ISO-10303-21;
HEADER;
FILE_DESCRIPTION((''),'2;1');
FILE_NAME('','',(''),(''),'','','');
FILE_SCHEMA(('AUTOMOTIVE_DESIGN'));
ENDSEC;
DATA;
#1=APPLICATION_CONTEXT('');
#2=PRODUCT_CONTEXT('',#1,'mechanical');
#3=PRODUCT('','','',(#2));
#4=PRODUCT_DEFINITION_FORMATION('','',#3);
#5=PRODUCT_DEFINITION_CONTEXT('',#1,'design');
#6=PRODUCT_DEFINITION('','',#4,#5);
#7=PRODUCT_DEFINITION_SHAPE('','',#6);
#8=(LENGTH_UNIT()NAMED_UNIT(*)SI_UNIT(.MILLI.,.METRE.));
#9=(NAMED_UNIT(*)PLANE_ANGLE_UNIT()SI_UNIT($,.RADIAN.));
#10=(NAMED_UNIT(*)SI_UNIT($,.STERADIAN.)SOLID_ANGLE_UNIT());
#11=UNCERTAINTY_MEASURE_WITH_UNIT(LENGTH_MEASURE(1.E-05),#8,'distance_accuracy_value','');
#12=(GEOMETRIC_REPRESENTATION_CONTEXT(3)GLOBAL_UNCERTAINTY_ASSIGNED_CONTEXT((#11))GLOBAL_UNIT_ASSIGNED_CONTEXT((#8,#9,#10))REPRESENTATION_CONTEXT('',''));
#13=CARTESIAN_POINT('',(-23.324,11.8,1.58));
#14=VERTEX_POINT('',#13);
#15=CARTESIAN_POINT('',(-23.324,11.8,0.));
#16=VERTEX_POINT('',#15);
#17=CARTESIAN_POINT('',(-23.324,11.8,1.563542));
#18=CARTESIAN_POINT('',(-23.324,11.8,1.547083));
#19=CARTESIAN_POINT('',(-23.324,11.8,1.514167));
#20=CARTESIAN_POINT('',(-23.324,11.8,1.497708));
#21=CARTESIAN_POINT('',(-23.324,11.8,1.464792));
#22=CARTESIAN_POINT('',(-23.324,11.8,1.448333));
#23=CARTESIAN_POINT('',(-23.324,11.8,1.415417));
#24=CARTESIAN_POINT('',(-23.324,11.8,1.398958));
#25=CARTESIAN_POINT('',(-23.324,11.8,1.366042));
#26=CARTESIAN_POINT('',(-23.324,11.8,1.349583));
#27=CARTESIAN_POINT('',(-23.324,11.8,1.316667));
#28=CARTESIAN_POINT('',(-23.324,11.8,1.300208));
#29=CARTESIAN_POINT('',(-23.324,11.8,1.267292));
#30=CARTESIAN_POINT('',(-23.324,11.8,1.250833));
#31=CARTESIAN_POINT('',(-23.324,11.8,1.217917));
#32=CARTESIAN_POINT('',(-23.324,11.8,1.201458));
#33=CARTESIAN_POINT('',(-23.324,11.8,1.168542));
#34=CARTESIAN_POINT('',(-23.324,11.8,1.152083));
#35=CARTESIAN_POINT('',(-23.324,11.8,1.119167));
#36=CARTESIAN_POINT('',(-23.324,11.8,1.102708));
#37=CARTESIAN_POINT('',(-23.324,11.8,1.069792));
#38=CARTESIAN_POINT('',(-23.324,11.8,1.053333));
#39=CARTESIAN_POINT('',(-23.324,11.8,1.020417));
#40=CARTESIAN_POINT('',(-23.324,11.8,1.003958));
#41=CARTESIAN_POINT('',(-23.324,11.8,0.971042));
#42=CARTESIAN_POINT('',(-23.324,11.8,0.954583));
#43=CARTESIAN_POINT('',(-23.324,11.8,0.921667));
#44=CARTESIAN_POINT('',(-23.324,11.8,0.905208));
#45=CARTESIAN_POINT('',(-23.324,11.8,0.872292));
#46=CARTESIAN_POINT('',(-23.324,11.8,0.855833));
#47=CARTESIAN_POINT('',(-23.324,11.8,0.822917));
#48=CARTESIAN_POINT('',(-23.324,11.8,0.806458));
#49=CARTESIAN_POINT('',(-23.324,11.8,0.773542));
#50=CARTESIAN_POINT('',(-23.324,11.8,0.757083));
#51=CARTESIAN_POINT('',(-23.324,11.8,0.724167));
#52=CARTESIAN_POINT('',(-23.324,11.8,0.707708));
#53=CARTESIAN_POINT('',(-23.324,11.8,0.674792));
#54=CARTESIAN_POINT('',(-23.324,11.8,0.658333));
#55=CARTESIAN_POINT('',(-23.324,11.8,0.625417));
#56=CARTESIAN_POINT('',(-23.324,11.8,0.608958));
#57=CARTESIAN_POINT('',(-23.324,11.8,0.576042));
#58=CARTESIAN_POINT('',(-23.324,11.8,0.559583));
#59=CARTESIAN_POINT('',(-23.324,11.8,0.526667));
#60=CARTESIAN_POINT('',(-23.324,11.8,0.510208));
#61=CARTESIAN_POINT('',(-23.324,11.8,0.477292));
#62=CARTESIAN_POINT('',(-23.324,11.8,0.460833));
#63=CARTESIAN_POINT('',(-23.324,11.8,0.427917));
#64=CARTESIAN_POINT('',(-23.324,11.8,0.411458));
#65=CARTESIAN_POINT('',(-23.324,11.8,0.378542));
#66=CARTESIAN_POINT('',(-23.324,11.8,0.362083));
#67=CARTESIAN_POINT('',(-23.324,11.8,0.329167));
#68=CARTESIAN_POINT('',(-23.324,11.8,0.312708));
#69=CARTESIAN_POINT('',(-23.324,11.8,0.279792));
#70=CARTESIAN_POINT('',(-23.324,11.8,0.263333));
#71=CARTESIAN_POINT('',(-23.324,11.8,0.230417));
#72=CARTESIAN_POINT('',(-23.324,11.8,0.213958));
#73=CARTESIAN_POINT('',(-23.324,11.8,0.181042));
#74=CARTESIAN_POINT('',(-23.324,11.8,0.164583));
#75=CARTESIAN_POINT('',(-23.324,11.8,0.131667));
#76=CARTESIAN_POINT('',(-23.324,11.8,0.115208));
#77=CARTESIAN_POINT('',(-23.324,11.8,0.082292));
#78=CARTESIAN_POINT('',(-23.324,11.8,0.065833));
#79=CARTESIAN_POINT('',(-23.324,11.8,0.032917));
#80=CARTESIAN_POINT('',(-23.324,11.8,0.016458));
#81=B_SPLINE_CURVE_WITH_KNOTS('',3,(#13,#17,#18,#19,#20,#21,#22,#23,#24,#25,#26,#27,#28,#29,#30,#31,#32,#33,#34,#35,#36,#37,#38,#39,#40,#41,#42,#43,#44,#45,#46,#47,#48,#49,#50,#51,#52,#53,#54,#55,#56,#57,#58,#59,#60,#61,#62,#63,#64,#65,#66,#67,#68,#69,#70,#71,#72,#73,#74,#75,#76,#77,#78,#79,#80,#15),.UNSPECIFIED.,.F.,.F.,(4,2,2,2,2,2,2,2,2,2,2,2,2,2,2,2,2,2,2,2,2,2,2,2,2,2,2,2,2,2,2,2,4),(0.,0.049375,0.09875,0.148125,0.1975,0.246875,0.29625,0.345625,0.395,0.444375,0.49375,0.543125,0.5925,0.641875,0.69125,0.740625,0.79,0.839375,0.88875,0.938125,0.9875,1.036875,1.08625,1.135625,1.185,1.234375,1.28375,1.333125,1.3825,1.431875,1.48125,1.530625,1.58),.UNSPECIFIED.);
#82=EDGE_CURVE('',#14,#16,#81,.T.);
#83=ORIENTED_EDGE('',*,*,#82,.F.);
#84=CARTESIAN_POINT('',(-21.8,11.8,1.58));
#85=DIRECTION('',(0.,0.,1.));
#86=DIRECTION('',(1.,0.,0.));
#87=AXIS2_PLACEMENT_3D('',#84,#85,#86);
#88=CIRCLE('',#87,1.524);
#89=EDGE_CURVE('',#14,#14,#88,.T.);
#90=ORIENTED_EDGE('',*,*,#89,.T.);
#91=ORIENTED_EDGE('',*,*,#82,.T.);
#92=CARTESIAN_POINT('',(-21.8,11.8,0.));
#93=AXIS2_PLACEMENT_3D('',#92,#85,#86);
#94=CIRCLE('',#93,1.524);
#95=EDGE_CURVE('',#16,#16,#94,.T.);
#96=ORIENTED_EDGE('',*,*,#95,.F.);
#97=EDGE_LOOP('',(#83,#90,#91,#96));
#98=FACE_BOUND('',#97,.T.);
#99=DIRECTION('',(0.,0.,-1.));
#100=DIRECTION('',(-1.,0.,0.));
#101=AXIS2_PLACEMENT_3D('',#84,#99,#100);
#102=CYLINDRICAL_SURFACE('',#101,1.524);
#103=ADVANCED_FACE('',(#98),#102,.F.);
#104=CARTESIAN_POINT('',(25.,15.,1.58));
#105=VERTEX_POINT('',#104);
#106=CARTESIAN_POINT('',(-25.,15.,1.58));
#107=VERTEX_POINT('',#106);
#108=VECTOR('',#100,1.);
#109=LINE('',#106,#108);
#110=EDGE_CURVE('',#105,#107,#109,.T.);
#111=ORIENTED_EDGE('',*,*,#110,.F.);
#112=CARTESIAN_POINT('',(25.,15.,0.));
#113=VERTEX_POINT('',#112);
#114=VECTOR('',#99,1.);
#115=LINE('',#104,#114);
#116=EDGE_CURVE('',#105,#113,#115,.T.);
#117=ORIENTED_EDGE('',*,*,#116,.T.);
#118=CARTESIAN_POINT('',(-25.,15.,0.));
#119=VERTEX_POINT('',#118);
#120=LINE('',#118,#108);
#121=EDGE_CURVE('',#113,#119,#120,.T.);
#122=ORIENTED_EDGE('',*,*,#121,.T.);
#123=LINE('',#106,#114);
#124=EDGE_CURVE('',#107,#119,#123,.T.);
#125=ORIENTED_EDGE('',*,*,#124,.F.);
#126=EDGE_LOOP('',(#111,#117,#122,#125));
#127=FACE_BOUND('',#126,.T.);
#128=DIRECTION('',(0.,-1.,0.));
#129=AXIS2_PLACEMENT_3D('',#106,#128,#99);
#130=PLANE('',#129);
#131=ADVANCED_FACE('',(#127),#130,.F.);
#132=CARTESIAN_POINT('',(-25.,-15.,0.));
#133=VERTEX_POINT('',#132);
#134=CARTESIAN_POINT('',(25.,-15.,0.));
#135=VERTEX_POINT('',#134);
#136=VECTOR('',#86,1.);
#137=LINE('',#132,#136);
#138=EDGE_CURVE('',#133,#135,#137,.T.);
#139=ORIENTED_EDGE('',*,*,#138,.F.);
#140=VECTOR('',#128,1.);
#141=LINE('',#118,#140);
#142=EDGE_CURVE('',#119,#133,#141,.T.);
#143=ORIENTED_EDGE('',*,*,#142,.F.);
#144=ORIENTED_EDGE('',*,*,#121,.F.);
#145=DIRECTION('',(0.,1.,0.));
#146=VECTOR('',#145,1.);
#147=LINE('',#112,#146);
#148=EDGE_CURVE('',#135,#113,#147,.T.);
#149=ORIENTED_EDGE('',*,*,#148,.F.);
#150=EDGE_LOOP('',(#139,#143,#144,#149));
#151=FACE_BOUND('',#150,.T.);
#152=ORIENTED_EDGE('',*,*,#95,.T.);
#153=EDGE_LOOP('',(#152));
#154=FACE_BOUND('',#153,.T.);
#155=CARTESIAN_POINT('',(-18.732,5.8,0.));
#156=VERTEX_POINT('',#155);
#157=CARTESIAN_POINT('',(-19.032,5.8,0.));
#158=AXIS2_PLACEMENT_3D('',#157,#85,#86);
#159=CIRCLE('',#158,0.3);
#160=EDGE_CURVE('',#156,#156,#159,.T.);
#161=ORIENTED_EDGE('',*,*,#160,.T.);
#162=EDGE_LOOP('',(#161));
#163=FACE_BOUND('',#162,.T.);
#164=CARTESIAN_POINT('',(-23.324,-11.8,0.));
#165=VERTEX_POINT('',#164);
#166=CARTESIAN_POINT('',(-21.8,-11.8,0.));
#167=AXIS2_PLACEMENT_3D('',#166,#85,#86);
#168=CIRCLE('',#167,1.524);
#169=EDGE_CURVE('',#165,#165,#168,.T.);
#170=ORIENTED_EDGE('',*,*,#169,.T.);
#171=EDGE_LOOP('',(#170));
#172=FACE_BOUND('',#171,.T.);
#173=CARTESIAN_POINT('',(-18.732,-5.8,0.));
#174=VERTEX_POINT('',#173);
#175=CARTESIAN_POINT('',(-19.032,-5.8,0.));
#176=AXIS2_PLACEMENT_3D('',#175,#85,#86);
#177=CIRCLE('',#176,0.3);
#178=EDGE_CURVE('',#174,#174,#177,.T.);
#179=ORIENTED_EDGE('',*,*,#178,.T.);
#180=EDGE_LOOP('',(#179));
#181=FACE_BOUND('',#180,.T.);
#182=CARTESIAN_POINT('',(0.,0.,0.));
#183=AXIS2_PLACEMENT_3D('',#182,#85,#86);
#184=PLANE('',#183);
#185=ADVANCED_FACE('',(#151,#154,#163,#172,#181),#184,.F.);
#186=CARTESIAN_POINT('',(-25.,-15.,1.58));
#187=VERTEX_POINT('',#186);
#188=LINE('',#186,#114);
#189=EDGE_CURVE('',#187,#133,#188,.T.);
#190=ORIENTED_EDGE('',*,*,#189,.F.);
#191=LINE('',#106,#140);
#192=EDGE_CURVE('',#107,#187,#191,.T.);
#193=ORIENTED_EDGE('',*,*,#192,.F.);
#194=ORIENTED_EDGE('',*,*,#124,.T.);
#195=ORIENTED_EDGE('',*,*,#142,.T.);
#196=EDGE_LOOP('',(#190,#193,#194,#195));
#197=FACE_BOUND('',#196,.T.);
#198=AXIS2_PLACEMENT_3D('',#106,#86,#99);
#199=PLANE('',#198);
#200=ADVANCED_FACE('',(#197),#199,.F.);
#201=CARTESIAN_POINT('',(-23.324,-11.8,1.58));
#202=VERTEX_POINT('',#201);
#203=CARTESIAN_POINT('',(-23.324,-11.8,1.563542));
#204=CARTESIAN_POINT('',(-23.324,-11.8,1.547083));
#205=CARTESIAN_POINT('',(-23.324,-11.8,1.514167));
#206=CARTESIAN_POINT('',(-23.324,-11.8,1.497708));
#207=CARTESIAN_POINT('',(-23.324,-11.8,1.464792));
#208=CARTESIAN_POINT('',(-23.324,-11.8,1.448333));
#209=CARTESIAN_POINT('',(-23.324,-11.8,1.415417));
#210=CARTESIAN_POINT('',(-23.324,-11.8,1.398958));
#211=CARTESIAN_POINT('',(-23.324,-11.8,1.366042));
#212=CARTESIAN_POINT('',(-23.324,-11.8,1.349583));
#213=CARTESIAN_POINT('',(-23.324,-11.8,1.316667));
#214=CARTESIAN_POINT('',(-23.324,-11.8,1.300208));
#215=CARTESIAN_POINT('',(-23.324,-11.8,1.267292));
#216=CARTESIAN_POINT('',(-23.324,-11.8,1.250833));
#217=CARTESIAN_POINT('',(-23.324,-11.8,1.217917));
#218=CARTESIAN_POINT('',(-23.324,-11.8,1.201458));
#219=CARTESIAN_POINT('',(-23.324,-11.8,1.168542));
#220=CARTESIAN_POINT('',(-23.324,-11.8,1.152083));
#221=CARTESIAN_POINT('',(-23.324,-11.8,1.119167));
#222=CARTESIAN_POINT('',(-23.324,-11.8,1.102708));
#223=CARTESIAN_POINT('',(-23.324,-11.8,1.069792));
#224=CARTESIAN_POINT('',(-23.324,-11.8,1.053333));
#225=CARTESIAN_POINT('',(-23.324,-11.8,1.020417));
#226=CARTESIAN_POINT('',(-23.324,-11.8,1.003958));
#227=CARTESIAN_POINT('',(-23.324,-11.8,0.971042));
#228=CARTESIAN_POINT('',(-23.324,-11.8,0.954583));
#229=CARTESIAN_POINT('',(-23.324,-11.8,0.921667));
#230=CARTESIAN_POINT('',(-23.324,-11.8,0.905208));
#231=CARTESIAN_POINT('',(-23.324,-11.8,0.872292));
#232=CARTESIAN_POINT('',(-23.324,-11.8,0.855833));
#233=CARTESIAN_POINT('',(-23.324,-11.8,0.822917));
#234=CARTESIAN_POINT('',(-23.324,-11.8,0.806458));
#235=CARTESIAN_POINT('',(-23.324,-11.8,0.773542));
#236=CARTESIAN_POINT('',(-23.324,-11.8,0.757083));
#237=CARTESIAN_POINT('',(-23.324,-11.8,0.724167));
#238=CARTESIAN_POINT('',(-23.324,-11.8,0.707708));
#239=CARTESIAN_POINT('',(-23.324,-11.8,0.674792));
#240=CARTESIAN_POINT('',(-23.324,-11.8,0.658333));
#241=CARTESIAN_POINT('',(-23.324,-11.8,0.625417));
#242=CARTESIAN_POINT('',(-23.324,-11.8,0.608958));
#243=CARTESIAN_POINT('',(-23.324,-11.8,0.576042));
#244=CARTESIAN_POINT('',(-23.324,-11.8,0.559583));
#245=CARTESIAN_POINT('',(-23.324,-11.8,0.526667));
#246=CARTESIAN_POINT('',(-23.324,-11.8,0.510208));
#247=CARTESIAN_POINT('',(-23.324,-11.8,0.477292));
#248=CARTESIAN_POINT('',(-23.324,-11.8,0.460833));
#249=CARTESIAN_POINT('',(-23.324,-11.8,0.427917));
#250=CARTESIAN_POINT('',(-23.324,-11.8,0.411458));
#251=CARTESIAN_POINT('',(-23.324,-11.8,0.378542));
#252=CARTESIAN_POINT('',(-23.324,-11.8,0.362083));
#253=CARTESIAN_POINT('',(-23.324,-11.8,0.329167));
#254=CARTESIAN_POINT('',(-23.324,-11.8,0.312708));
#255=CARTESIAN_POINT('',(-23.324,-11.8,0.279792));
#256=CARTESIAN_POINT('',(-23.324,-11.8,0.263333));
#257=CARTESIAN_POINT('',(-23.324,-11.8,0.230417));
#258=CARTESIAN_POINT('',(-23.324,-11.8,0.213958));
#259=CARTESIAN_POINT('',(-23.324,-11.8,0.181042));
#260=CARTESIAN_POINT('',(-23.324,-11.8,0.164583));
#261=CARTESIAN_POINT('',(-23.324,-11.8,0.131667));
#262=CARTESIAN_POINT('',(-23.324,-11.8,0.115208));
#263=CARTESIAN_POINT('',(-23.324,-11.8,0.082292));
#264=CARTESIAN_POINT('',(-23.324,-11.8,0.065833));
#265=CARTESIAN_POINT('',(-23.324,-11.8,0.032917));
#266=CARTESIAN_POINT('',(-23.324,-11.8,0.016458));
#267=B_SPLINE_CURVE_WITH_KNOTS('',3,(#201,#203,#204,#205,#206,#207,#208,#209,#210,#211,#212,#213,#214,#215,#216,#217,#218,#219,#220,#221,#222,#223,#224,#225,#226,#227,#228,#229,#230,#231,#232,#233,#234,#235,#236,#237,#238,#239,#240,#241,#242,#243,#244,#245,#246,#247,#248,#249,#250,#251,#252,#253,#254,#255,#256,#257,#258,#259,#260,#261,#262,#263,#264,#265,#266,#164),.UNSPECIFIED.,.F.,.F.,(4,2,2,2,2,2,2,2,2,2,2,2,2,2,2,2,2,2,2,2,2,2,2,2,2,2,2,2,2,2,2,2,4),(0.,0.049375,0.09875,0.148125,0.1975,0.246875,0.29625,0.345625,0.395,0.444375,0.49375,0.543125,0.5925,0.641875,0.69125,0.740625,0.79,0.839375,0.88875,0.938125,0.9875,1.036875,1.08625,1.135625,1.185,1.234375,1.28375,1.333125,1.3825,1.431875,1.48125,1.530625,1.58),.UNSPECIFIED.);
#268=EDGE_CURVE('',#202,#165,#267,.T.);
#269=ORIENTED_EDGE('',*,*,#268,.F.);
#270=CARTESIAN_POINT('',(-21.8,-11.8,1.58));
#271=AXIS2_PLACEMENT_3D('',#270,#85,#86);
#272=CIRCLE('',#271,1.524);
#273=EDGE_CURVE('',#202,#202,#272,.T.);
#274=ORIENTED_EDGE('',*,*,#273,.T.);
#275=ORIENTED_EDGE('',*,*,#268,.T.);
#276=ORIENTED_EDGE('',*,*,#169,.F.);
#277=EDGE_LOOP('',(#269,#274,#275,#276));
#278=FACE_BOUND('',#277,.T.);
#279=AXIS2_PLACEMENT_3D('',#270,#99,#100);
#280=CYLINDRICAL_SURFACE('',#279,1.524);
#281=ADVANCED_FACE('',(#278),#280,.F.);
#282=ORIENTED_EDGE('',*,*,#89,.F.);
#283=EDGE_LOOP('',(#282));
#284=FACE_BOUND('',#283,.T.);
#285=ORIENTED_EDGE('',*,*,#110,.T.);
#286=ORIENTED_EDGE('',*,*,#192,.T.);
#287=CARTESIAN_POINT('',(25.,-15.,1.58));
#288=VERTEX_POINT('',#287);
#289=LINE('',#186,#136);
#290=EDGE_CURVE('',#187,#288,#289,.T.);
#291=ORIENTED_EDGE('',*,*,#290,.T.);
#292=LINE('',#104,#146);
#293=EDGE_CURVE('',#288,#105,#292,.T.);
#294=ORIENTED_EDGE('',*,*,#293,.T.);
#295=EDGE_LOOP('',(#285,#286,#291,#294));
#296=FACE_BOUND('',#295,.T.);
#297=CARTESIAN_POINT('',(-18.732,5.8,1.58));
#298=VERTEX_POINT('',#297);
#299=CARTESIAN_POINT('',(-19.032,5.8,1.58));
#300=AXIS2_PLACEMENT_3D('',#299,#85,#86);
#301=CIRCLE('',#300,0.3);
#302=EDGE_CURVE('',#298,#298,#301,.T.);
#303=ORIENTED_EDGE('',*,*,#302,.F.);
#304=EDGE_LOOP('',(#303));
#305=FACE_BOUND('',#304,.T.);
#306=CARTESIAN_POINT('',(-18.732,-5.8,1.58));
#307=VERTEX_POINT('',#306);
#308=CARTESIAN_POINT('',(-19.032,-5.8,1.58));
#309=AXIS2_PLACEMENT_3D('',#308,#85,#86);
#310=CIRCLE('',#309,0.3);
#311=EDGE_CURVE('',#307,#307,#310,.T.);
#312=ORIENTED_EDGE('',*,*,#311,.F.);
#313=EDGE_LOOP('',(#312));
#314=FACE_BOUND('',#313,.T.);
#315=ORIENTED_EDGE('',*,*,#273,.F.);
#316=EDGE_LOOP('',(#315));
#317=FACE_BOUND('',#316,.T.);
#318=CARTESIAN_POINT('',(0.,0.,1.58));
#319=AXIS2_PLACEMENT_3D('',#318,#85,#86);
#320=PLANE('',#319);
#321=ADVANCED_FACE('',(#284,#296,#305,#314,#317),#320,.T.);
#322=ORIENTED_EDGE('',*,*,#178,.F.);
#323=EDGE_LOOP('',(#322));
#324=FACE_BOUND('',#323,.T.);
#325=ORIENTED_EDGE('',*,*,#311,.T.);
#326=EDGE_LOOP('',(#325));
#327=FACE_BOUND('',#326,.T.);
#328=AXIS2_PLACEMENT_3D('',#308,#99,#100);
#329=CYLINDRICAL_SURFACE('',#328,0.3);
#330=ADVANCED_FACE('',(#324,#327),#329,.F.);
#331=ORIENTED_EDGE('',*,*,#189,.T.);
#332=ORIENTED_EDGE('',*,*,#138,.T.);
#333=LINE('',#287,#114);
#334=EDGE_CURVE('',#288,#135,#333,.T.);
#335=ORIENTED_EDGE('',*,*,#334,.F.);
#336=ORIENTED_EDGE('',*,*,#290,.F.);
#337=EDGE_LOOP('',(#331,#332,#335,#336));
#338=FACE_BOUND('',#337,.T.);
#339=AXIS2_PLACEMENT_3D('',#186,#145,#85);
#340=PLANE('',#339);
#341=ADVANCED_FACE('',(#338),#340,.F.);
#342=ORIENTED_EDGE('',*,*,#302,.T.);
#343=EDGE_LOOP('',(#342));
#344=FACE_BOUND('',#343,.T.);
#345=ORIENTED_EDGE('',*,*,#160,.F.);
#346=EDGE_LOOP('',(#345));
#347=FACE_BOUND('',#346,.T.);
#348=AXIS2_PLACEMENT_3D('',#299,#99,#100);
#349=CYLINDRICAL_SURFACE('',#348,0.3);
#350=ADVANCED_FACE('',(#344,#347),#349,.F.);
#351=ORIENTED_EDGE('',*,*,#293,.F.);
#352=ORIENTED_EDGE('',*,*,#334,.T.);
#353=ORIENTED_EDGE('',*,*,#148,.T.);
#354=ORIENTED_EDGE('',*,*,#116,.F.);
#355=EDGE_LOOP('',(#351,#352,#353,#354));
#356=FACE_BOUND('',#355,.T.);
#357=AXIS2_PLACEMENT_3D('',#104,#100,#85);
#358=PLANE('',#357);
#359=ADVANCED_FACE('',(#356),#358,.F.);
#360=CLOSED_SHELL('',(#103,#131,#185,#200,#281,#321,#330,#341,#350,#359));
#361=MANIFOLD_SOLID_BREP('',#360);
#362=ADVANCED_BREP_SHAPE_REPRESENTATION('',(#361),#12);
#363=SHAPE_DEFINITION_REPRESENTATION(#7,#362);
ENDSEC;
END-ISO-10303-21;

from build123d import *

# Parameters (mm, degrees)
SKETCH1_W           = 50
SKETCH1_H           = 30
SKETCH1_R           = 1.524
SKETCH1_R_2         = 0.3
BOSS_EXTRUDE1_DEPTH = 1.58


with BuildPart() as part:
    # Sketch1 → Boss-Extrude1 (new body)
    with BuildSketch(Plane.XY):
        Rectangle(SKETCH1_W, SKETCH1_H)
        with Locations(Location((-21.8, 11.8, 0), (0, 0, 180))):
            Circle(SKETCH1_R, mode=Mode.SUBTRACT)
        with Locations(Location((-21.8, -11.8, 0), (0, 0, 180))):
            Circle(SKETCH1_R, mode=Mode.SUBTRACT)
        with Locations((-19.032, 5.8)):
            Circle(SKETCH1_R_2, mode=Mode.SUBTRACT)
        with Locations((-19.032, -5.8)):
            Circle(SKETCH1_R_2, mode=Mode.SUBTRACT)
    extrude(amount=BOSS_EXTRUDE1_DEPTH)


solid = part.part
